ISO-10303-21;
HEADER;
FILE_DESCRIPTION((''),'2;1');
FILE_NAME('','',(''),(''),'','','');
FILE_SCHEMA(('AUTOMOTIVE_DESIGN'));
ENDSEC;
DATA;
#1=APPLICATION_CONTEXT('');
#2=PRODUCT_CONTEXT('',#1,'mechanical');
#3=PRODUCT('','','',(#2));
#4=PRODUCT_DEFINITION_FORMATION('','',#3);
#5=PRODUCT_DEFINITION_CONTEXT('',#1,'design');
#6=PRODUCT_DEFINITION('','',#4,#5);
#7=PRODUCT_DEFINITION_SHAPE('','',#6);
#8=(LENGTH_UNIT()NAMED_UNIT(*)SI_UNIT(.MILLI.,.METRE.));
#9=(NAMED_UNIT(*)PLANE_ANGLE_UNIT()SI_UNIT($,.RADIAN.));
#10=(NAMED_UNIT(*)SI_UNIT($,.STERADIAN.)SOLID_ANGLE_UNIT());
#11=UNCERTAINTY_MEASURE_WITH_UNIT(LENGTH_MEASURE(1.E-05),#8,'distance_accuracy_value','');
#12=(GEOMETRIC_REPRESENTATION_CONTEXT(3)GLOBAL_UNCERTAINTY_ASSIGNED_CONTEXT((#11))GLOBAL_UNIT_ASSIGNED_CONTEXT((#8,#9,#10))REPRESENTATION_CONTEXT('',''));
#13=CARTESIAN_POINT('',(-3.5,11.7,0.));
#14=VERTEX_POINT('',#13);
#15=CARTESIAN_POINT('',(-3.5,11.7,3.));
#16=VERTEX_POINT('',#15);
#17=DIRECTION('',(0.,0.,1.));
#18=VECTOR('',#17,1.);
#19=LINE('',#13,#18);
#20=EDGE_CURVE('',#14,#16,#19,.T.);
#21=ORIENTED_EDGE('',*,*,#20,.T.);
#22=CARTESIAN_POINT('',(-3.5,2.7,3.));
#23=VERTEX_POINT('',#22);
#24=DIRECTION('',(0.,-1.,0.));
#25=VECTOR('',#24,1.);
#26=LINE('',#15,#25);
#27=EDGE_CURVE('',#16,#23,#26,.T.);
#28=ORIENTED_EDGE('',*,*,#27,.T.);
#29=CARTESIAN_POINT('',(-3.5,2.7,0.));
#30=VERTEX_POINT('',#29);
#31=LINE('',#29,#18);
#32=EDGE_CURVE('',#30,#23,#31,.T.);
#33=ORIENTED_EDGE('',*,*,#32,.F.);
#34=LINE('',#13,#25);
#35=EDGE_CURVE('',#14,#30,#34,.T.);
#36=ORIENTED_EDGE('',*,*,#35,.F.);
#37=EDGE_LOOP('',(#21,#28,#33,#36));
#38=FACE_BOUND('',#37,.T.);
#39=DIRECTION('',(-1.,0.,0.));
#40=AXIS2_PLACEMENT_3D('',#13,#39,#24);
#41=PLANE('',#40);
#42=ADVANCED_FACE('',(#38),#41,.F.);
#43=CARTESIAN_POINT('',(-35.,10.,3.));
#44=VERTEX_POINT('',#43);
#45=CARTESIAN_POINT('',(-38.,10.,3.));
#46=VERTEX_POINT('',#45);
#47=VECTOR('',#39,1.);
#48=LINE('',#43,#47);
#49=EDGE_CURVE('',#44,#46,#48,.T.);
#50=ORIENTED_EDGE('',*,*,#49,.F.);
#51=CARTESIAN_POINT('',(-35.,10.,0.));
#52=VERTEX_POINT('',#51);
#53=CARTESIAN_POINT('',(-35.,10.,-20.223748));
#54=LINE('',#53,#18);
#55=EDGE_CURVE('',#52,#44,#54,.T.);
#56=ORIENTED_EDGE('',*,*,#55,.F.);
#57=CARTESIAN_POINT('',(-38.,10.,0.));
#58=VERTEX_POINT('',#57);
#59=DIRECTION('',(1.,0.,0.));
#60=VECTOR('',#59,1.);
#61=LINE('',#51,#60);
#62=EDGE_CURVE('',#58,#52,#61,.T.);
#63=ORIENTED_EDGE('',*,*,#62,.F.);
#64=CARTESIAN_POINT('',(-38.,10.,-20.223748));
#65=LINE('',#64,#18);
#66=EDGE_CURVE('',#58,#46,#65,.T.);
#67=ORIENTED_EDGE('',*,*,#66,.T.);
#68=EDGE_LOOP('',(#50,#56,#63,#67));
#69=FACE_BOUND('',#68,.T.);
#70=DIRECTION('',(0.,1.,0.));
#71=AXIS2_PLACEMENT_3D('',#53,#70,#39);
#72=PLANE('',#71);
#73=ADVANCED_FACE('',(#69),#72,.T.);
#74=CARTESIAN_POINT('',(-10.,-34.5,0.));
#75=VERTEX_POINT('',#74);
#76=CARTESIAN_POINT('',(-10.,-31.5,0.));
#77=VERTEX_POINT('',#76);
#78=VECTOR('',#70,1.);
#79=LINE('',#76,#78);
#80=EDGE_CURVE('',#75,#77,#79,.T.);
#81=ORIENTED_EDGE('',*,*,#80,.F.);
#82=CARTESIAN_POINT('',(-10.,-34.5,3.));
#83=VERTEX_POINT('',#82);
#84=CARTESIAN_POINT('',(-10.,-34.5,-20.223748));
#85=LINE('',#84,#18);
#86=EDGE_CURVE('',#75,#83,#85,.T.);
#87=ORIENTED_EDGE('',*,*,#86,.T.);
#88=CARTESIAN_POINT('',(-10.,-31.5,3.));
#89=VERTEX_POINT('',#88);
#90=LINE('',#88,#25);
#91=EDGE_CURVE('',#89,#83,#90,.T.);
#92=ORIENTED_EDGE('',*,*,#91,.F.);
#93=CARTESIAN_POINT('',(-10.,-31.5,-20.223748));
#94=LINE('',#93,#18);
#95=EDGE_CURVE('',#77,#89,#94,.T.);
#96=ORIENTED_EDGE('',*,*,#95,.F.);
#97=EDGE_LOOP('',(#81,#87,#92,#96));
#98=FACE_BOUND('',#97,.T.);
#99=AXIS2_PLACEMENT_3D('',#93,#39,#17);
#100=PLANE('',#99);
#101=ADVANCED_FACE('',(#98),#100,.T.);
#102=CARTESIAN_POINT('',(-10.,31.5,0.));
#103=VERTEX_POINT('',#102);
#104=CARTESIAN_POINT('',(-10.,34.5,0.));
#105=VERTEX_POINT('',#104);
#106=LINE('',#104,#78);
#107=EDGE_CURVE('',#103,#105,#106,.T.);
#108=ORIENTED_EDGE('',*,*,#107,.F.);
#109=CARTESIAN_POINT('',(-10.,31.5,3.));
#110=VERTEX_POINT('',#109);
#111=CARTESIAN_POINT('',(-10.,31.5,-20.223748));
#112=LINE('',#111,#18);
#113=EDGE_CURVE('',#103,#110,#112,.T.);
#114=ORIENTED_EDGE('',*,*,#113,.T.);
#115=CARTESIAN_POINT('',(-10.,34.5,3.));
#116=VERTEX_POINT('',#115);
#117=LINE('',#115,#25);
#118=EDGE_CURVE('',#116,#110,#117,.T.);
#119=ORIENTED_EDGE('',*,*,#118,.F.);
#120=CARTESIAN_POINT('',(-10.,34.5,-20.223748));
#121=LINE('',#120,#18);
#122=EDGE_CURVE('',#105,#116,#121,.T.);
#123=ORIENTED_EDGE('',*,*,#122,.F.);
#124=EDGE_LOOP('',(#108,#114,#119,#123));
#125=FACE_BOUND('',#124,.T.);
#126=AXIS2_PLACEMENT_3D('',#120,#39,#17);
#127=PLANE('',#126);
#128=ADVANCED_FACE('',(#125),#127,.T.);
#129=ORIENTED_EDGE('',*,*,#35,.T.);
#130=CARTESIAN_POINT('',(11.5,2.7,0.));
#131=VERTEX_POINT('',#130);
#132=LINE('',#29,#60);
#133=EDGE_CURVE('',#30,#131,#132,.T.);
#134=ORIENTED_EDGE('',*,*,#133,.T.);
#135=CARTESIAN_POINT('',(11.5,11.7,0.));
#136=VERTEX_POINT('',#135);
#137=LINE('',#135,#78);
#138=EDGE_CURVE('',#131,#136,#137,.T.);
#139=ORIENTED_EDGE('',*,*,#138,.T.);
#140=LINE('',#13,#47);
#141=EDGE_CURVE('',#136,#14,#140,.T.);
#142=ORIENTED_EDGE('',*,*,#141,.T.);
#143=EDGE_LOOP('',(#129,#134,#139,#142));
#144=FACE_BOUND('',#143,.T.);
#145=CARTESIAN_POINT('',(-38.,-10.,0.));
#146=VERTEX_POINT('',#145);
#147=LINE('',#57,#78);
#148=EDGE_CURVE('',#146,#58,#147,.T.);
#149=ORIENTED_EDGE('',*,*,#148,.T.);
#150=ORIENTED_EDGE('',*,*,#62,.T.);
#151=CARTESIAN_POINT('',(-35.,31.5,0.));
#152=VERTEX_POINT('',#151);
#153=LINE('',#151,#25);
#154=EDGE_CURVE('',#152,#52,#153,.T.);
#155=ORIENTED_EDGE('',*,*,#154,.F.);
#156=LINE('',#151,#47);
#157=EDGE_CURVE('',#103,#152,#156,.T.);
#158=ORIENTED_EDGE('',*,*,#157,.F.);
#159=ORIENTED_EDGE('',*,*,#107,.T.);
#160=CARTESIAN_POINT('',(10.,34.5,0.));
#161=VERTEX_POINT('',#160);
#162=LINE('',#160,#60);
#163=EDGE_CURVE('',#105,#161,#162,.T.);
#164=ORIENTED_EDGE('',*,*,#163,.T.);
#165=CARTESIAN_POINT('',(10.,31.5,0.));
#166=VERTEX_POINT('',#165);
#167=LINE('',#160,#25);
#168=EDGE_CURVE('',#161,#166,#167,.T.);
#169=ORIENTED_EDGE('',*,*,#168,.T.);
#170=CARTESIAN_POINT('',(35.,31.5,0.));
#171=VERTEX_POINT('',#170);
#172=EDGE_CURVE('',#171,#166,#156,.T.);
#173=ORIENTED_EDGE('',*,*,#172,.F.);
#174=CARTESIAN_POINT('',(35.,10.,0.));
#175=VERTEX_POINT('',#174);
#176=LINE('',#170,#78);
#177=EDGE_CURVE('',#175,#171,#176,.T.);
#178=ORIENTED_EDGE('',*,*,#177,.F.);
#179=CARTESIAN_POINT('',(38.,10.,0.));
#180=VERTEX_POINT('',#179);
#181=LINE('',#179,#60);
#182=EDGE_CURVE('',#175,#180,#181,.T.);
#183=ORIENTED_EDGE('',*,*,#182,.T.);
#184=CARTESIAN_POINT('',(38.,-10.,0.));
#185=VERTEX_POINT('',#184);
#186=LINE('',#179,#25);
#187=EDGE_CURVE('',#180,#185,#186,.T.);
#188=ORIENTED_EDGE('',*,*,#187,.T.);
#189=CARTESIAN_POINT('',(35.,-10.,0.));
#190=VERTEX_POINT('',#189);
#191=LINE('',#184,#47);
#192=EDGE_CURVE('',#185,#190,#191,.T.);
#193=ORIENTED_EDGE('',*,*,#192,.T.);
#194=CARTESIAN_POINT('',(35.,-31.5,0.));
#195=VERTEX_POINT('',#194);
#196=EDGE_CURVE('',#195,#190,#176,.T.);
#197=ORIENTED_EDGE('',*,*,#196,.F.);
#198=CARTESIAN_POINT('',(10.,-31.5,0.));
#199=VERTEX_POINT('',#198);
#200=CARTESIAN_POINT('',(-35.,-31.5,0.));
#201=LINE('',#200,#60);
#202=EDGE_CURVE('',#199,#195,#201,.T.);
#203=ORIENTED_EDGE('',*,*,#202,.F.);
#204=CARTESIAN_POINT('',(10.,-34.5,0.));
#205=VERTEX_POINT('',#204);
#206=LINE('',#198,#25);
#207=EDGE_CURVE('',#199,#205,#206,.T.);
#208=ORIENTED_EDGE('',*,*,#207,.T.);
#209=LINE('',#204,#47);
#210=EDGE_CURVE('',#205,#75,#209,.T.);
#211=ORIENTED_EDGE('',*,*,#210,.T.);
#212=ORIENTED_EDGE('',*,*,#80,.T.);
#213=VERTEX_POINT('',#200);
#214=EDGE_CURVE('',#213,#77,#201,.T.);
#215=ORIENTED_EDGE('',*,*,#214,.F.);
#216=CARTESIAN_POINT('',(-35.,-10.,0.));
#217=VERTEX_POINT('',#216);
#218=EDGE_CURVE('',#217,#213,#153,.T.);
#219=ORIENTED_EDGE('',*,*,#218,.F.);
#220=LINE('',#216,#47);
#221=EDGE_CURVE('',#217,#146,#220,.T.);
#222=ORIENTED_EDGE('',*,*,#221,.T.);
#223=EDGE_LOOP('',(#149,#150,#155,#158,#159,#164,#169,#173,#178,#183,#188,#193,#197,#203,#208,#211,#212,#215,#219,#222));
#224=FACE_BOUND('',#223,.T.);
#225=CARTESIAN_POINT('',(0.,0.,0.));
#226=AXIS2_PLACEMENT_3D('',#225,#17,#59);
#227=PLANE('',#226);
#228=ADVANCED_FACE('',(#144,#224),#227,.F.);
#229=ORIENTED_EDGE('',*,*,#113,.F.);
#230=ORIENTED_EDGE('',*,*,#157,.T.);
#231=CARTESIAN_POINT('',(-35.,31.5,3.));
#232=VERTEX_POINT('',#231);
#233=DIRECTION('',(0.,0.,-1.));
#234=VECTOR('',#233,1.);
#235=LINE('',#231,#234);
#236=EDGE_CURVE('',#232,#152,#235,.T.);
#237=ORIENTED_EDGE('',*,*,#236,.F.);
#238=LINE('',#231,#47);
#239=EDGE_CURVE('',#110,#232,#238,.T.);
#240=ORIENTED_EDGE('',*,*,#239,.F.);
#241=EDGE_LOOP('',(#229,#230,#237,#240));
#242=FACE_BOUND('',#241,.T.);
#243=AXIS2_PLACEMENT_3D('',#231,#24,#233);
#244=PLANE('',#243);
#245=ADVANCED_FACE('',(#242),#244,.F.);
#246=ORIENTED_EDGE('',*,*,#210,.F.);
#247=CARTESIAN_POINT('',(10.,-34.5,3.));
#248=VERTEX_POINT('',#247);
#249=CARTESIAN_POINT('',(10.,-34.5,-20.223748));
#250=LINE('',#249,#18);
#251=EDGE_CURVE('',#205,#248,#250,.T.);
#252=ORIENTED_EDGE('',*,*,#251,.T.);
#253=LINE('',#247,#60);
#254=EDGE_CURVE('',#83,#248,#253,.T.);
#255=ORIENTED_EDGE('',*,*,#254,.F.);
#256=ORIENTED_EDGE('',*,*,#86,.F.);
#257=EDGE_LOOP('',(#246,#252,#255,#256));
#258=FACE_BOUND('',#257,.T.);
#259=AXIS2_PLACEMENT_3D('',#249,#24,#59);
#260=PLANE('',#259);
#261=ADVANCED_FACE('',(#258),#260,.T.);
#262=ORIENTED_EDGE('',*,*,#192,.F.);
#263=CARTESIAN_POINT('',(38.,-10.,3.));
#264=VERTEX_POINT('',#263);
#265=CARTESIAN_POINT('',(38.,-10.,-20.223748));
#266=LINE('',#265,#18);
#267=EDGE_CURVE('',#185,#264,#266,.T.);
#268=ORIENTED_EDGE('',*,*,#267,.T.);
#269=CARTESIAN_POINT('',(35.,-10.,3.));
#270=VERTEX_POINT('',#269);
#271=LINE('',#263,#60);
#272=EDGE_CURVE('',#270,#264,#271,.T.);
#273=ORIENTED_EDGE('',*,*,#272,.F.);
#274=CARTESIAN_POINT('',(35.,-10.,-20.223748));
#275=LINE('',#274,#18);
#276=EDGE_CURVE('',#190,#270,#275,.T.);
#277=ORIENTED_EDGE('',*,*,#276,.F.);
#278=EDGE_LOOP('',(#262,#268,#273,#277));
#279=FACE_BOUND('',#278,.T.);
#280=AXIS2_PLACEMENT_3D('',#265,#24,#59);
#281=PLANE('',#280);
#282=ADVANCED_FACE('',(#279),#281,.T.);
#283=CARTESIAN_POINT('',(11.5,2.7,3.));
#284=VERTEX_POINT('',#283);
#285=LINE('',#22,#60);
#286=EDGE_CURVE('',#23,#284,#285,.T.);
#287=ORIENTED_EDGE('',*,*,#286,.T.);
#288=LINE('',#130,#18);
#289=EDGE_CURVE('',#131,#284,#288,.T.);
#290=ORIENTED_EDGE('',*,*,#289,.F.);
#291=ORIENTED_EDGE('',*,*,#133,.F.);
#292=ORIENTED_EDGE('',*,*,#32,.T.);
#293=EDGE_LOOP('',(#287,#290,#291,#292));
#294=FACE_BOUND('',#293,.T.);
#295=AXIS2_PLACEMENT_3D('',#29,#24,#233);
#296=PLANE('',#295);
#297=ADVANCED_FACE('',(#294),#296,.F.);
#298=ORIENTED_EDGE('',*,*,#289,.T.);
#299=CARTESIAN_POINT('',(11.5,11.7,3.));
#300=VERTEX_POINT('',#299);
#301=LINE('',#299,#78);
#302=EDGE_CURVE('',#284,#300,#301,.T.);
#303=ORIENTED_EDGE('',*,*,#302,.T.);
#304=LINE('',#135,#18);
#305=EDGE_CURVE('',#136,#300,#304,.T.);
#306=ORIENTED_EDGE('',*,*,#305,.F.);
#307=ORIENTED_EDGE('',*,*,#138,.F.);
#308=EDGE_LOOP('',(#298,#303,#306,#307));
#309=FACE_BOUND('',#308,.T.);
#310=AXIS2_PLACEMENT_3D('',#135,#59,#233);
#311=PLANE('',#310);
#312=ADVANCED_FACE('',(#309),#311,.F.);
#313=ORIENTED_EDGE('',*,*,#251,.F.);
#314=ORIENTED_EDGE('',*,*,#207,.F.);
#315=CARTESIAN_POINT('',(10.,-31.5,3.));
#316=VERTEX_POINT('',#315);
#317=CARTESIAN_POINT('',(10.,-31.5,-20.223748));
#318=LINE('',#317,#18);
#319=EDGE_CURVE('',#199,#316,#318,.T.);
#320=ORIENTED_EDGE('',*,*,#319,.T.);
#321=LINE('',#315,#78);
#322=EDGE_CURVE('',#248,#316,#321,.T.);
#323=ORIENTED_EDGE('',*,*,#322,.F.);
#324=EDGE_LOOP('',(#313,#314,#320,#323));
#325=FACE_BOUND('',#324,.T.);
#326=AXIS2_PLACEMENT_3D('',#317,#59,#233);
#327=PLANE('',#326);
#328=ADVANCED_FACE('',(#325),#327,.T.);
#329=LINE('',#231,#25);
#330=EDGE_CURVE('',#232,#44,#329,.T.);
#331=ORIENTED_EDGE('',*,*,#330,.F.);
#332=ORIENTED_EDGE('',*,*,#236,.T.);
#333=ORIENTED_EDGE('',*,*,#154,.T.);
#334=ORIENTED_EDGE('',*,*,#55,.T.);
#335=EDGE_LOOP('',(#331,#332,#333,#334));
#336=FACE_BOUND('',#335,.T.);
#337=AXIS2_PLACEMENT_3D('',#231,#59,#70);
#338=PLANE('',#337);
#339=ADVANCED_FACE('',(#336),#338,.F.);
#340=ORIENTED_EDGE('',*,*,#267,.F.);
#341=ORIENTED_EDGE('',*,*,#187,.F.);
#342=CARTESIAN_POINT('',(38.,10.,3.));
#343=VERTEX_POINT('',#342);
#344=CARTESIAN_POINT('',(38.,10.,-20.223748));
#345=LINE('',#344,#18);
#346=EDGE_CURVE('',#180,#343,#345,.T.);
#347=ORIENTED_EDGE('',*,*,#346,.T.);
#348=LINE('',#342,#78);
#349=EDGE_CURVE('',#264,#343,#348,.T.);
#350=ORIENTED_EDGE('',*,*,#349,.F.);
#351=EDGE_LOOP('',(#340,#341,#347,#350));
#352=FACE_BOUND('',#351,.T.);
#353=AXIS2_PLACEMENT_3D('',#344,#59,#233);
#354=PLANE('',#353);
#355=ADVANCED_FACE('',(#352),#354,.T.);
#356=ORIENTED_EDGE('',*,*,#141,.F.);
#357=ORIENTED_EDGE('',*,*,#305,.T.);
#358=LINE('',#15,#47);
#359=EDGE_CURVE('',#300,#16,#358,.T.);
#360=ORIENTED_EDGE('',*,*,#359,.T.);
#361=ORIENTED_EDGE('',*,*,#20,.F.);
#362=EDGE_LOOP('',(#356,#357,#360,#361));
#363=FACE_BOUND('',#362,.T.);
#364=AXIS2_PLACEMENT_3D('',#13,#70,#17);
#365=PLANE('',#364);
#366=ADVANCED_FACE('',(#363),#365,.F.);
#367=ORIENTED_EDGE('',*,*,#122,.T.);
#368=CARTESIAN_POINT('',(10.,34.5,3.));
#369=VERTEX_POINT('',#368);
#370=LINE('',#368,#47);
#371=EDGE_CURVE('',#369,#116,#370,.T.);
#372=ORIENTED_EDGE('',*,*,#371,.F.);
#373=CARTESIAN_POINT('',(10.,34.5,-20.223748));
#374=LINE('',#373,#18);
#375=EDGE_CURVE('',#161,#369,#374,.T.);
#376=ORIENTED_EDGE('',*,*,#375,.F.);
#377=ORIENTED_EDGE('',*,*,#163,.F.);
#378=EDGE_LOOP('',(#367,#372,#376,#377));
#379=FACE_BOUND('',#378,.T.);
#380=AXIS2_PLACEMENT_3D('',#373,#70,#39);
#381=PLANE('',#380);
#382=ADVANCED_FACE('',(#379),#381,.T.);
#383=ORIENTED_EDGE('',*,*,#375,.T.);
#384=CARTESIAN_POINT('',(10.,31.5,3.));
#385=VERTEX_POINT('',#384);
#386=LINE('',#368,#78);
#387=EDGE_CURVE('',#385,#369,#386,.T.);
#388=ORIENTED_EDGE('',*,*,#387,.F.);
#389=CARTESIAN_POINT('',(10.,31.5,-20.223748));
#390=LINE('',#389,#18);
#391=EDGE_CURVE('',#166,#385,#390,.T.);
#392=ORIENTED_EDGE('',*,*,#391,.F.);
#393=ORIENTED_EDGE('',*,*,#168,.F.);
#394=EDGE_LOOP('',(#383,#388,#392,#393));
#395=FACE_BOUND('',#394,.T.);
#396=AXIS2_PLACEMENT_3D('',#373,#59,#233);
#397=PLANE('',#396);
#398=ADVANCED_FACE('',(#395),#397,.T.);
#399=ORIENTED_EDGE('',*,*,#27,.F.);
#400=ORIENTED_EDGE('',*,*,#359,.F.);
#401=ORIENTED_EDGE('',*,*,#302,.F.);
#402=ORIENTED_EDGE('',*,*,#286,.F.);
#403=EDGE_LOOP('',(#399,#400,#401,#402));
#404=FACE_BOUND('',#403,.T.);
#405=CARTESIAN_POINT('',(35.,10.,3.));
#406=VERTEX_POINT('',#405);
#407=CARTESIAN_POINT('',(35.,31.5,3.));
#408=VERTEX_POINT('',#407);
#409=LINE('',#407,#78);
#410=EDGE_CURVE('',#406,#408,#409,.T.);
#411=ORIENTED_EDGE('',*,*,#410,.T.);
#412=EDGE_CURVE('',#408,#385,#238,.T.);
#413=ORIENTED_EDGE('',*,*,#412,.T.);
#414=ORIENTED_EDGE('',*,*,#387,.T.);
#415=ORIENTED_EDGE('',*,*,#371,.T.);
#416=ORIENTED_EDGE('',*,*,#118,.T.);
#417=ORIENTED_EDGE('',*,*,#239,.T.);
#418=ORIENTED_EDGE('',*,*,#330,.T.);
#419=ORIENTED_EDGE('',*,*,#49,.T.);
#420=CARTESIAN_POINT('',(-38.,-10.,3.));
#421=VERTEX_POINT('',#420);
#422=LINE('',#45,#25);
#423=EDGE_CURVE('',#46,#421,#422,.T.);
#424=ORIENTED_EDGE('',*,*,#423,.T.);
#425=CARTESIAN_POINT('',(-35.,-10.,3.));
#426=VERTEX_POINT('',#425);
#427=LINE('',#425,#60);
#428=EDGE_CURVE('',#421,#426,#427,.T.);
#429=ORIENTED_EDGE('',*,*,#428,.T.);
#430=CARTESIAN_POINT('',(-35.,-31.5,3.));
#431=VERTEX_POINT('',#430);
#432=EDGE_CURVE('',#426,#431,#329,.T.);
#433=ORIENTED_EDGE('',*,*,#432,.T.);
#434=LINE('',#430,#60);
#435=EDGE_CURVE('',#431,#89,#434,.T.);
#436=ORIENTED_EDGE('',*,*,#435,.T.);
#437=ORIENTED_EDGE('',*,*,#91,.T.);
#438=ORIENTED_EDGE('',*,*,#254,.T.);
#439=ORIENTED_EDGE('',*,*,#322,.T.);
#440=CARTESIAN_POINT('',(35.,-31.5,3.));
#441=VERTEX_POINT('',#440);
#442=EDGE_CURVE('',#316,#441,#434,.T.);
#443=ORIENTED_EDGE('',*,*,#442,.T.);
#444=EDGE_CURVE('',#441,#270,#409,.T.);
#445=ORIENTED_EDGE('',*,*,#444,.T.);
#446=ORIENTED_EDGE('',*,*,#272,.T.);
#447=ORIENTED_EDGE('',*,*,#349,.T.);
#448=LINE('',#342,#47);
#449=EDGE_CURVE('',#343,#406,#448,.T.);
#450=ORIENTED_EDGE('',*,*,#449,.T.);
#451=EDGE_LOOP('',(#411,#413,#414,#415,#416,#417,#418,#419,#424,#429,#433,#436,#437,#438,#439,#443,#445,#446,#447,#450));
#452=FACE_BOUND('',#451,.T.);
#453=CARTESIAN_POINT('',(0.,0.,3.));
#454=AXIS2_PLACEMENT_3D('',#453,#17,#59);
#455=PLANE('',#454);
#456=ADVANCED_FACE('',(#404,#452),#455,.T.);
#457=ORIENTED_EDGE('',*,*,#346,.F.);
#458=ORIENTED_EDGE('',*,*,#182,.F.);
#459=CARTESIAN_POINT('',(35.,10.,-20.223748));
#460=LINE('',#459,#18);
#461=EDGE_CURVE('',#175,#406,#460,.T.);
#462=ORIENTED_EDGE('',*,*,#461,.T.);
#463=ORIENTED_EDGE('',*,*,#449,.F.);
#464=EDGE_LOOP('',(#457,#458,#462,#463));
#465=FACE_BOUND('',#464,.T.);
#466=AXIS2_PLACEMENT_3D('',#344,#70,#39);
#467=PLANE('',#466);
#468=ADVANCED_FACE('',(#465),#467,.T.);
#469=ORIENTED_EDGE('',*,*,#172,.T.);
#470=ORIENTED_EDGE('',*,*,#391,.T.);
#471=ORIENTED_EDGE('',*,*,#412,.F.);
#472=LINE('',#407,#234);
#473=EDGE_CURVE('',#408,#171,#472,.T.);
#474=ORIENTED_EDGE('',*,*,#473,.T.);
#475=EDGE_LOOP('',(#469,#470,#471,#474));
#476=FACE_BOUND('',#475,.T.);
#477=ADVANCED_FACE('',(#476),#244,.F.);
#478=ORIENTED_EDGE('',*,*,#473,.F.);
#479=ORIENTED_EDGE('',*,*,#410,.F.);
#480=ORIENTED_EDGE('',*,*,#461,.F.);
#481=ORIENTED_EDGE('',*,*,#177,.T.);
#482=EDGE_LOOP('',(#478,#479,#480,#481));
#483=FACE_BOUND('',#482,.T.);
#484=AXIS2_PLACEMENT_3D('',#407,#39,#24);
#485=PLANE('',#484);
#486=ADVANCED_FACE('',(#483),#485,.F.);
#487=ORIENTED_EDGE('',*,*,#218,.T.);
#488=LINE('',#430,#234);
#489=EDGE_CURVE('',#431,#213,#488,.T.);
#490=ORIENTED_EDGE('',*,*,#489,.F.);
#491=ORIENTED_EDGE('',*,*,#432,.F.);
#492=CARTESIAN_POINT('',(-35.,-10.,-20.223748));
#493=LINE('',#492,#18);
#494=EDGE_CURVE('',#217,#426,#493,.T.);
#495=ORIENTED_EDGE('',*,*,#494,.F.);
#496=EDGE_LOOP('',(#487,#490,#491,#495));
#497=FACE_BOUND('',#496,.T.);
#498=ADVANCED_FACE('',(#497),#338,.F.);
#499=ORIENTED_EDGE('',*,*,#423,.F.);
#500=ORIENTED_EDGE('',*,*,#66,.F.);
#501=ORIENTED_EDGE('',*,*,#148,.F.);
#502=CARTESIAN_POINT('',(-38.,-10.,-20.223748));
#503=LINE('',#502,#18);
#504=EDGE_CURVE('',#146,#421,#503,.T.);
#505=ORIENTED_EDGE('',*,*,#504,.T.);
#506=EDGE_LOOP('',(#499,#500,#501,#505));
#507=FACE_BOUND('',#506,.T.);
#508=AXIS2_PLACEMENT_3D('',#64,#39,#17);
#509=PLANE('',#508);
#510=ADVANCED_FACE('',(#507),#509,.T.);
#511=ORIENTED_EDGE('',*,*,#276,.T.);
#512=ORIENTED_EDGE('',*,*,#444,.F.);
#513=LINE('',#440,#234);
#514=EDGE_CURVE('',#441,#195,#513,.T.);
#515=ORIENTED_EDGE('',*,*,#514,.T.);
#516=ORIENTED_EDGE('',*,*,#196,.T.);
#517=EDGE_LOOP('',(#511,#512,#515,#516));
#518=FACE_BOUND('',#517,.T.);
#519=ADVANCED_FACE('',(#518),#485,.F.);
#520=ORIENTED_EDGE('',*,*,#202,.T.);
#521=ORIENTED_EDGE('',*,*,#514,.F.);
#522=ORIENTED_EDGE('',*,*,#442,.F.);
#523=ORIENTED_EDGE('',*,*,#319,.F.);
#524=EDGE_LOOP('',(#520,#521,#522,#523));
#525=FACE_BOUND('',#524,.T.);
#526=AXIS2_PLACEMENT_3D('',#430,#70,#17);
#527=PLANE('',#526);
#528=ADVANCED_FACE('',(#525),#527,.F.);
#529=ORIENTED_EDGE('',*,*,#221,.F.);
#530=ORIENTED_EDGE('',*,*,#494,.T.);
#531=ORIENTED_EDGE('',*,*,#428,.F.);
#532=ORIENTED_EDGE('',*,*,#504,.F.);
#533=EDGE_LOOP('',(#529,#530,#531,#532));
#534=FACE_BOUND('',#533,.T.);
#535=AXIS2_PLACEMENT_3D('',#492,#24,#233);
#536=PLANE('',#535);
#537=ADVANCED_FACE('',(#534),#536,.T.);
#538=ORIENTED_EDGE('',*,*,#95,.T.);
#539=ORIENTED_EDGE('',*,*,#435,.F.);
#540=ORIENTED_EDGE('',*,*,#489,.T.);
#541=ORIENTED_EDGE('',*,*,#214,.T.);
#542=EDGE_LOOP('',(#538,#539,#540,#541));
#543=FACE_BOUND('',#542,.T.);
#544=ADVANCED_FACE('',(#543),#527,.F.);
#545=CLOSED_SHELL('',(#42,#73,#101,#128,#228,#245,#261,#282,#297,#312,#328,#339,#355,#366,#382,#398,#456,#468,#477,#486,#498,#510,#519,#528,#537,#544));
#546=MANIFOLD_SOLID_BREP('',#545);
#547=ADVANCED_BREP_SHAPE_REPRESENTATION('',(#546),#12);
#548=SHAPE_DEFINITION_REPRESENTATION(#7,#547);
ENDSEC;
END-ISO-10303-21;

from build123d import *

# Parameters (mm, degrees)
SKETCH1_W           = 70
SKETCH1_H           = 63
BOSS_EXTRUDE1_DEPTH = 3
SKETCH2_W           = 15
SKETCH2_H           = 9
CUT_EXTRUDE1_DEPTH  = 3
SKETCH4_W           = 3
SKETCH4_H           = 20
SKETCH4_W_2         = 20
SKETCH4_H_2         = 3
BOSS_EXTRUDE2_DEPTH = 3


with BuildPart() as part:
    # Sketch1 → Boss-Extrude1 (new body)
    with BuildSketch(Plane.XY):
        Rectangle(SKETCH1_W, SKETCH1_H)
    extrude(amount=BOSS_EXTRUDE1_DEPTH)

    # Sketch2 → Cut-Extrude1 (cut)
    with BuildSketch(Plane.XY.offset(3)):
        with Locations((4, 7.2)):
            Rectangle(SKETCH2_W, SKETCH2_H)
    extrude(amount=-CUT_EXTRUDE1_DEPTH, mode=Mode.SUBTRACT)

    # Sketch4 → Boss-Extrude2 (add)
    with BuildSketch(Plane.XY.offset(3)):
        with Locations((36.5, 0)):
            Rectangle(SKETCH4_W, SKETCH4_H)
        with Locations((-36.5, 0)):
            Rectangle(SKETCH4_W, SKETCH4_H)
        with Locations((0, 33)):
            Rectangle(SKETCH4_W_2, SKETCH4_H_2)
        with Locations((0, -33)):
            Rectangle(SKETCH4_W_2, SKETCH4_H_2)
    extrude(amount=-BOSS_EXTRUDE2_DEPTH)


solid = part.part
